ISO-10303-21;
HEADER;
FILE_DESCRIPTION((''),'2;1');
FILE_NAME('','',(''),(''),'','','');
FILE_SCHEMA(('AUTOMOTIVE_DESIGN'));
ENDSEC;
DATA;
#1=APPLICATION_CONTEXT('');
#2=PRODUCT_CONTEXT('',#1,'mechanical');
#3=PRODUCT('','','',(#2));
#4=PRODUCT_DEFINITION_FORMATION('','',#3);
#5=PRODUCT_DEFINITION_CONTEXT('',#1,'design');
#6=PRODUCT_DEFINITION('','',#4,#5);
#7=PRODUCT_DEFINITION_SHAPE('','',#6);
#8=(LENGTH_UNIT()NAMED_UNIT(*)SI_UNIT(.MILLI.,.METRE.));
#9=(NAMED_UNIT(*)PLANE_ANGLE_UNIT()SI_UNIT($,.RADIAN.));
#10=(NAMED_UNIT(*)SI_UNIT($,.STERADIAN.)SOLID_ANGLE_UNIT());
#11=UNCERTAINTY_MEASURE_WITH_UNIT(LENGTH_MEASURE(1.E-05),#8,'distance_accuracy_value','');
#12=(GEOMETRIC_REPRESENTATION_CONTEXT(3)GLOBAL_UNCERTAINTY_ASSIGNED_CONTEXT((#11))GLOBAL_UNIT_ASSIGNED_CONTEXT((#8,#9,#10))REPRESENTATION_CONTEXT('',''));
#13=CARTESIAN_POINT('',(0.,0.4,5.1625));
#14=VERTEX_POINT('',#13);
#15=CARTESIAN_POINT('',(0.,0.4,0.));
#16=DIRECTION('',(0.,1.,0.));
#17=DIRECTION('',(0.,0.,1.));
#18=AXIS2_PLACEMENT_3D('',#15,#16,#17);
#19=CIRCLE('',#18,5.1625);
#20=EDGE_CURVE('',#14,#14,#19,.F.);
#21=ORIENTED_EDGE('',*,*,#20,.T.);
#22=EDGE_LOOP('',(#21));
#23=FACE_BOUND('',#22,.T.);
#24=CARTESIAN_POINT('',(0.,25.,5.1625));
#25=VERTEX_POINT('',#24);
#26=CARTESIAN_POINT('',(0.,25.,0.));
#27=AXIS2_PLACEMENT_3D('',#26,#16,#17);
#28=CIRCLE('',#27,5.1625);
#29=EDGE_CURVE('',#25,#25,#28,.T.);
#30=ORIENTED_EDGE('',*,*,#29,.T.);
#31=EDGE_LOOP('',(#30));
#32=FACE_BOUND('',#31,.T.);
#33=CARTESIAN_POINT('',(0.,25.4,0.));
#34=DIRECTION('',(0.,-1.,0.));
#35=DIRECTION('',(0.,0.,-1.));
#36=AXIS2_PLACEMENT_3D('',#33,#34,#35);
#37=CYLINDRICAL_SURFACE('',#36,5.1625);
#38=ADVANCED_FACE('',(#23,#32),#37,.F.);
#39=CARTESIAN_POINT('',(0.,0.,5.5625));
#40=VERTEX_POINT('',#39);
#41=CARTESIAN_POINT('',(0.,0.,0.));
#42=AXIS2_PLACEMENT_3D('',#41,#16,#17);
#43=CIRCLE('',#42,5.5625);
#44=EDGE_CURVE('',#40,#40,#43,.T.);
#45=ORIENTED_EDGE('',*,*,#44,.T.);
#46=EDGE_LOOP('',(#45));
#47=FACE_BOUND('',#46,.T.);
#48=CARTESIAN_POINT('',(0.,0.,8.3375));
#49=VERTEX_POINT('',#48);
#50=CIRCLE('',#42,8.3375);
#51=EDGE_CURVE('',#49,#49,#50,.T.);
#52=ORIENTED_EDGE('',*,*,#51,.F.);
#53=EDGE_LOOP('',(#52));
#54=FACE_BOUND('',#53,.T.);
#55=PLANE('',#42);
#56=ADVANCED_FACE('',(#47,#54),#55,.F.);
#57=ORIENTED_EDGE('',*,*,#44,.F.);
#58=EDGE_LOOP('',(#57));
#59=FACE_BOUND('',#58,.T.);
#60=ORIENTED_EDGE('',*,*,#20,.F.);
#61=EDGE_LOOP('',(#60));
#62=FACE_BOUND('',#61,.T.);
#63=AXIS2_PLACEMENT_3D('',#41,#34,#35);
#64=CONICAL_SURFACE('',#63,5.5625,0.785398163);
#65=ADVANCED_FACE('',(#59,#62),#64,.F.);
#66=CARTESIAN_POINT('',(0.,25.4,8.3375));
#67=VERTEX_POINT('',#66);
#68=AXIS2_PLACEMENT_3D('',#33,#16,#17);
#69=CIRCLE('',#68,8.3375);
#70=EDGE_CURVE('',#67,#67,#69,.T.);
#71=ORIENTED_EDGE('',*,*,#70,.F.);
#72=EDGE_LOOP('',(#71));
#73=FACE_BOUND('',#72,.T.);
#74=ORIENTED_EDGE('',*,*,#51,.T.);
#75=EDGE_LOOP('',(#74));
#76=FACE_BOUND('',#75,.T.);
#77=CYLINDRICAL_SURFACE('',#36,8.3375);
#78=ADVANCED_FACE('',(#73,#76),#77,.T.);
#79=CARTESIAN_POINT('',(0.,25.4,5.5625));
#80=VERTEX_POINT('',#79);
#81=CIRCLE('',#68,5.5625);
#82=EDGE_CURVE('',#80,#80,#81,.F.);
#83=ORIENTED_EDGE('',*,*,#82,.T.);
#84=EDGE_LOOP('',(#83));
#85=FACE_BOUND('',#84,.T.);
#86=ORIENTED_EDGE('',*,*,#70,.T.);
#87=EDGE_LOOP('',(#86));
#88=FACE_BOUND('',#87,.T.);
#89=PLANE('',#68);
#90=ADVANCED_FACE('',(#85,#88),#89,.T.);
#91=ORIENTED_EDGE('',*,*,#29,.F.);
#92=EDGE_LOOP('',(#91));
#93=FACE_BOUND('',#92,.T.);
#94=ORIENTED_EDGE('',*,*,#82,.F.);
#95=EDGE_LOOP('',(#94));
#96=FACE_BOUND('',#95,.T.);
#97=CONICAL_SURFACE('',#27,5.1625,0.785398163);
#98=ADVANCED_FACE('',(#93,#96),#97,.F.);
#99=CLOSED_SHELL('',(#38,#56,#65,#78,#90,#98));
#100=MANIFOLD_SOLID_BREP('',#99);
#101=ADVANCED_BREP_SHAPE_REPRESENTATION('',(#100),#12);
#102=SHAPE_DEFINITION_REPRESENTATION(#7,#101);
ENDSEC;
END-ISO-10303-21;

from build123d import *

# Parameters (mm, degrees)
SKETCH1_R           = 8.3375
SKETCH1_R_2         = 5.1625
BOSS_EXTRUDE1_DEPTH = 25.4
CHAMFER1_SIZE       = 0.4


with BuildPart() as part:
    # Sketch1 → Boss-Extrude1 (new body)
    with BuildSketch(Plane(origin=(0, 0, 0), x_dir=(1, 0, 0), z_dir=(0, 1, 0))):
        with Locations(Location((0, 0, 0), (0, 0, 270))):
            Circle(SKETCH1_R)
        with Locations(Location((0, 0, 0), (0, 0, 270))):
            Circle(SKETCH1_R_2, mode=Mode.SUBTRACT)
    extrude(amount=BOSS_EXTRUDE1_DEPTH)

    # Chamfer1
    chamfer1_edges = [part.edges().sort_by_distance(p)[0] for p in [
        (0, 0, -5.1625),
        (0, 25.4, -5.1625),
    ]]
    chamfer(chamfer1_edges, length=CHAMFER1_SIZE)


solid = part.part
